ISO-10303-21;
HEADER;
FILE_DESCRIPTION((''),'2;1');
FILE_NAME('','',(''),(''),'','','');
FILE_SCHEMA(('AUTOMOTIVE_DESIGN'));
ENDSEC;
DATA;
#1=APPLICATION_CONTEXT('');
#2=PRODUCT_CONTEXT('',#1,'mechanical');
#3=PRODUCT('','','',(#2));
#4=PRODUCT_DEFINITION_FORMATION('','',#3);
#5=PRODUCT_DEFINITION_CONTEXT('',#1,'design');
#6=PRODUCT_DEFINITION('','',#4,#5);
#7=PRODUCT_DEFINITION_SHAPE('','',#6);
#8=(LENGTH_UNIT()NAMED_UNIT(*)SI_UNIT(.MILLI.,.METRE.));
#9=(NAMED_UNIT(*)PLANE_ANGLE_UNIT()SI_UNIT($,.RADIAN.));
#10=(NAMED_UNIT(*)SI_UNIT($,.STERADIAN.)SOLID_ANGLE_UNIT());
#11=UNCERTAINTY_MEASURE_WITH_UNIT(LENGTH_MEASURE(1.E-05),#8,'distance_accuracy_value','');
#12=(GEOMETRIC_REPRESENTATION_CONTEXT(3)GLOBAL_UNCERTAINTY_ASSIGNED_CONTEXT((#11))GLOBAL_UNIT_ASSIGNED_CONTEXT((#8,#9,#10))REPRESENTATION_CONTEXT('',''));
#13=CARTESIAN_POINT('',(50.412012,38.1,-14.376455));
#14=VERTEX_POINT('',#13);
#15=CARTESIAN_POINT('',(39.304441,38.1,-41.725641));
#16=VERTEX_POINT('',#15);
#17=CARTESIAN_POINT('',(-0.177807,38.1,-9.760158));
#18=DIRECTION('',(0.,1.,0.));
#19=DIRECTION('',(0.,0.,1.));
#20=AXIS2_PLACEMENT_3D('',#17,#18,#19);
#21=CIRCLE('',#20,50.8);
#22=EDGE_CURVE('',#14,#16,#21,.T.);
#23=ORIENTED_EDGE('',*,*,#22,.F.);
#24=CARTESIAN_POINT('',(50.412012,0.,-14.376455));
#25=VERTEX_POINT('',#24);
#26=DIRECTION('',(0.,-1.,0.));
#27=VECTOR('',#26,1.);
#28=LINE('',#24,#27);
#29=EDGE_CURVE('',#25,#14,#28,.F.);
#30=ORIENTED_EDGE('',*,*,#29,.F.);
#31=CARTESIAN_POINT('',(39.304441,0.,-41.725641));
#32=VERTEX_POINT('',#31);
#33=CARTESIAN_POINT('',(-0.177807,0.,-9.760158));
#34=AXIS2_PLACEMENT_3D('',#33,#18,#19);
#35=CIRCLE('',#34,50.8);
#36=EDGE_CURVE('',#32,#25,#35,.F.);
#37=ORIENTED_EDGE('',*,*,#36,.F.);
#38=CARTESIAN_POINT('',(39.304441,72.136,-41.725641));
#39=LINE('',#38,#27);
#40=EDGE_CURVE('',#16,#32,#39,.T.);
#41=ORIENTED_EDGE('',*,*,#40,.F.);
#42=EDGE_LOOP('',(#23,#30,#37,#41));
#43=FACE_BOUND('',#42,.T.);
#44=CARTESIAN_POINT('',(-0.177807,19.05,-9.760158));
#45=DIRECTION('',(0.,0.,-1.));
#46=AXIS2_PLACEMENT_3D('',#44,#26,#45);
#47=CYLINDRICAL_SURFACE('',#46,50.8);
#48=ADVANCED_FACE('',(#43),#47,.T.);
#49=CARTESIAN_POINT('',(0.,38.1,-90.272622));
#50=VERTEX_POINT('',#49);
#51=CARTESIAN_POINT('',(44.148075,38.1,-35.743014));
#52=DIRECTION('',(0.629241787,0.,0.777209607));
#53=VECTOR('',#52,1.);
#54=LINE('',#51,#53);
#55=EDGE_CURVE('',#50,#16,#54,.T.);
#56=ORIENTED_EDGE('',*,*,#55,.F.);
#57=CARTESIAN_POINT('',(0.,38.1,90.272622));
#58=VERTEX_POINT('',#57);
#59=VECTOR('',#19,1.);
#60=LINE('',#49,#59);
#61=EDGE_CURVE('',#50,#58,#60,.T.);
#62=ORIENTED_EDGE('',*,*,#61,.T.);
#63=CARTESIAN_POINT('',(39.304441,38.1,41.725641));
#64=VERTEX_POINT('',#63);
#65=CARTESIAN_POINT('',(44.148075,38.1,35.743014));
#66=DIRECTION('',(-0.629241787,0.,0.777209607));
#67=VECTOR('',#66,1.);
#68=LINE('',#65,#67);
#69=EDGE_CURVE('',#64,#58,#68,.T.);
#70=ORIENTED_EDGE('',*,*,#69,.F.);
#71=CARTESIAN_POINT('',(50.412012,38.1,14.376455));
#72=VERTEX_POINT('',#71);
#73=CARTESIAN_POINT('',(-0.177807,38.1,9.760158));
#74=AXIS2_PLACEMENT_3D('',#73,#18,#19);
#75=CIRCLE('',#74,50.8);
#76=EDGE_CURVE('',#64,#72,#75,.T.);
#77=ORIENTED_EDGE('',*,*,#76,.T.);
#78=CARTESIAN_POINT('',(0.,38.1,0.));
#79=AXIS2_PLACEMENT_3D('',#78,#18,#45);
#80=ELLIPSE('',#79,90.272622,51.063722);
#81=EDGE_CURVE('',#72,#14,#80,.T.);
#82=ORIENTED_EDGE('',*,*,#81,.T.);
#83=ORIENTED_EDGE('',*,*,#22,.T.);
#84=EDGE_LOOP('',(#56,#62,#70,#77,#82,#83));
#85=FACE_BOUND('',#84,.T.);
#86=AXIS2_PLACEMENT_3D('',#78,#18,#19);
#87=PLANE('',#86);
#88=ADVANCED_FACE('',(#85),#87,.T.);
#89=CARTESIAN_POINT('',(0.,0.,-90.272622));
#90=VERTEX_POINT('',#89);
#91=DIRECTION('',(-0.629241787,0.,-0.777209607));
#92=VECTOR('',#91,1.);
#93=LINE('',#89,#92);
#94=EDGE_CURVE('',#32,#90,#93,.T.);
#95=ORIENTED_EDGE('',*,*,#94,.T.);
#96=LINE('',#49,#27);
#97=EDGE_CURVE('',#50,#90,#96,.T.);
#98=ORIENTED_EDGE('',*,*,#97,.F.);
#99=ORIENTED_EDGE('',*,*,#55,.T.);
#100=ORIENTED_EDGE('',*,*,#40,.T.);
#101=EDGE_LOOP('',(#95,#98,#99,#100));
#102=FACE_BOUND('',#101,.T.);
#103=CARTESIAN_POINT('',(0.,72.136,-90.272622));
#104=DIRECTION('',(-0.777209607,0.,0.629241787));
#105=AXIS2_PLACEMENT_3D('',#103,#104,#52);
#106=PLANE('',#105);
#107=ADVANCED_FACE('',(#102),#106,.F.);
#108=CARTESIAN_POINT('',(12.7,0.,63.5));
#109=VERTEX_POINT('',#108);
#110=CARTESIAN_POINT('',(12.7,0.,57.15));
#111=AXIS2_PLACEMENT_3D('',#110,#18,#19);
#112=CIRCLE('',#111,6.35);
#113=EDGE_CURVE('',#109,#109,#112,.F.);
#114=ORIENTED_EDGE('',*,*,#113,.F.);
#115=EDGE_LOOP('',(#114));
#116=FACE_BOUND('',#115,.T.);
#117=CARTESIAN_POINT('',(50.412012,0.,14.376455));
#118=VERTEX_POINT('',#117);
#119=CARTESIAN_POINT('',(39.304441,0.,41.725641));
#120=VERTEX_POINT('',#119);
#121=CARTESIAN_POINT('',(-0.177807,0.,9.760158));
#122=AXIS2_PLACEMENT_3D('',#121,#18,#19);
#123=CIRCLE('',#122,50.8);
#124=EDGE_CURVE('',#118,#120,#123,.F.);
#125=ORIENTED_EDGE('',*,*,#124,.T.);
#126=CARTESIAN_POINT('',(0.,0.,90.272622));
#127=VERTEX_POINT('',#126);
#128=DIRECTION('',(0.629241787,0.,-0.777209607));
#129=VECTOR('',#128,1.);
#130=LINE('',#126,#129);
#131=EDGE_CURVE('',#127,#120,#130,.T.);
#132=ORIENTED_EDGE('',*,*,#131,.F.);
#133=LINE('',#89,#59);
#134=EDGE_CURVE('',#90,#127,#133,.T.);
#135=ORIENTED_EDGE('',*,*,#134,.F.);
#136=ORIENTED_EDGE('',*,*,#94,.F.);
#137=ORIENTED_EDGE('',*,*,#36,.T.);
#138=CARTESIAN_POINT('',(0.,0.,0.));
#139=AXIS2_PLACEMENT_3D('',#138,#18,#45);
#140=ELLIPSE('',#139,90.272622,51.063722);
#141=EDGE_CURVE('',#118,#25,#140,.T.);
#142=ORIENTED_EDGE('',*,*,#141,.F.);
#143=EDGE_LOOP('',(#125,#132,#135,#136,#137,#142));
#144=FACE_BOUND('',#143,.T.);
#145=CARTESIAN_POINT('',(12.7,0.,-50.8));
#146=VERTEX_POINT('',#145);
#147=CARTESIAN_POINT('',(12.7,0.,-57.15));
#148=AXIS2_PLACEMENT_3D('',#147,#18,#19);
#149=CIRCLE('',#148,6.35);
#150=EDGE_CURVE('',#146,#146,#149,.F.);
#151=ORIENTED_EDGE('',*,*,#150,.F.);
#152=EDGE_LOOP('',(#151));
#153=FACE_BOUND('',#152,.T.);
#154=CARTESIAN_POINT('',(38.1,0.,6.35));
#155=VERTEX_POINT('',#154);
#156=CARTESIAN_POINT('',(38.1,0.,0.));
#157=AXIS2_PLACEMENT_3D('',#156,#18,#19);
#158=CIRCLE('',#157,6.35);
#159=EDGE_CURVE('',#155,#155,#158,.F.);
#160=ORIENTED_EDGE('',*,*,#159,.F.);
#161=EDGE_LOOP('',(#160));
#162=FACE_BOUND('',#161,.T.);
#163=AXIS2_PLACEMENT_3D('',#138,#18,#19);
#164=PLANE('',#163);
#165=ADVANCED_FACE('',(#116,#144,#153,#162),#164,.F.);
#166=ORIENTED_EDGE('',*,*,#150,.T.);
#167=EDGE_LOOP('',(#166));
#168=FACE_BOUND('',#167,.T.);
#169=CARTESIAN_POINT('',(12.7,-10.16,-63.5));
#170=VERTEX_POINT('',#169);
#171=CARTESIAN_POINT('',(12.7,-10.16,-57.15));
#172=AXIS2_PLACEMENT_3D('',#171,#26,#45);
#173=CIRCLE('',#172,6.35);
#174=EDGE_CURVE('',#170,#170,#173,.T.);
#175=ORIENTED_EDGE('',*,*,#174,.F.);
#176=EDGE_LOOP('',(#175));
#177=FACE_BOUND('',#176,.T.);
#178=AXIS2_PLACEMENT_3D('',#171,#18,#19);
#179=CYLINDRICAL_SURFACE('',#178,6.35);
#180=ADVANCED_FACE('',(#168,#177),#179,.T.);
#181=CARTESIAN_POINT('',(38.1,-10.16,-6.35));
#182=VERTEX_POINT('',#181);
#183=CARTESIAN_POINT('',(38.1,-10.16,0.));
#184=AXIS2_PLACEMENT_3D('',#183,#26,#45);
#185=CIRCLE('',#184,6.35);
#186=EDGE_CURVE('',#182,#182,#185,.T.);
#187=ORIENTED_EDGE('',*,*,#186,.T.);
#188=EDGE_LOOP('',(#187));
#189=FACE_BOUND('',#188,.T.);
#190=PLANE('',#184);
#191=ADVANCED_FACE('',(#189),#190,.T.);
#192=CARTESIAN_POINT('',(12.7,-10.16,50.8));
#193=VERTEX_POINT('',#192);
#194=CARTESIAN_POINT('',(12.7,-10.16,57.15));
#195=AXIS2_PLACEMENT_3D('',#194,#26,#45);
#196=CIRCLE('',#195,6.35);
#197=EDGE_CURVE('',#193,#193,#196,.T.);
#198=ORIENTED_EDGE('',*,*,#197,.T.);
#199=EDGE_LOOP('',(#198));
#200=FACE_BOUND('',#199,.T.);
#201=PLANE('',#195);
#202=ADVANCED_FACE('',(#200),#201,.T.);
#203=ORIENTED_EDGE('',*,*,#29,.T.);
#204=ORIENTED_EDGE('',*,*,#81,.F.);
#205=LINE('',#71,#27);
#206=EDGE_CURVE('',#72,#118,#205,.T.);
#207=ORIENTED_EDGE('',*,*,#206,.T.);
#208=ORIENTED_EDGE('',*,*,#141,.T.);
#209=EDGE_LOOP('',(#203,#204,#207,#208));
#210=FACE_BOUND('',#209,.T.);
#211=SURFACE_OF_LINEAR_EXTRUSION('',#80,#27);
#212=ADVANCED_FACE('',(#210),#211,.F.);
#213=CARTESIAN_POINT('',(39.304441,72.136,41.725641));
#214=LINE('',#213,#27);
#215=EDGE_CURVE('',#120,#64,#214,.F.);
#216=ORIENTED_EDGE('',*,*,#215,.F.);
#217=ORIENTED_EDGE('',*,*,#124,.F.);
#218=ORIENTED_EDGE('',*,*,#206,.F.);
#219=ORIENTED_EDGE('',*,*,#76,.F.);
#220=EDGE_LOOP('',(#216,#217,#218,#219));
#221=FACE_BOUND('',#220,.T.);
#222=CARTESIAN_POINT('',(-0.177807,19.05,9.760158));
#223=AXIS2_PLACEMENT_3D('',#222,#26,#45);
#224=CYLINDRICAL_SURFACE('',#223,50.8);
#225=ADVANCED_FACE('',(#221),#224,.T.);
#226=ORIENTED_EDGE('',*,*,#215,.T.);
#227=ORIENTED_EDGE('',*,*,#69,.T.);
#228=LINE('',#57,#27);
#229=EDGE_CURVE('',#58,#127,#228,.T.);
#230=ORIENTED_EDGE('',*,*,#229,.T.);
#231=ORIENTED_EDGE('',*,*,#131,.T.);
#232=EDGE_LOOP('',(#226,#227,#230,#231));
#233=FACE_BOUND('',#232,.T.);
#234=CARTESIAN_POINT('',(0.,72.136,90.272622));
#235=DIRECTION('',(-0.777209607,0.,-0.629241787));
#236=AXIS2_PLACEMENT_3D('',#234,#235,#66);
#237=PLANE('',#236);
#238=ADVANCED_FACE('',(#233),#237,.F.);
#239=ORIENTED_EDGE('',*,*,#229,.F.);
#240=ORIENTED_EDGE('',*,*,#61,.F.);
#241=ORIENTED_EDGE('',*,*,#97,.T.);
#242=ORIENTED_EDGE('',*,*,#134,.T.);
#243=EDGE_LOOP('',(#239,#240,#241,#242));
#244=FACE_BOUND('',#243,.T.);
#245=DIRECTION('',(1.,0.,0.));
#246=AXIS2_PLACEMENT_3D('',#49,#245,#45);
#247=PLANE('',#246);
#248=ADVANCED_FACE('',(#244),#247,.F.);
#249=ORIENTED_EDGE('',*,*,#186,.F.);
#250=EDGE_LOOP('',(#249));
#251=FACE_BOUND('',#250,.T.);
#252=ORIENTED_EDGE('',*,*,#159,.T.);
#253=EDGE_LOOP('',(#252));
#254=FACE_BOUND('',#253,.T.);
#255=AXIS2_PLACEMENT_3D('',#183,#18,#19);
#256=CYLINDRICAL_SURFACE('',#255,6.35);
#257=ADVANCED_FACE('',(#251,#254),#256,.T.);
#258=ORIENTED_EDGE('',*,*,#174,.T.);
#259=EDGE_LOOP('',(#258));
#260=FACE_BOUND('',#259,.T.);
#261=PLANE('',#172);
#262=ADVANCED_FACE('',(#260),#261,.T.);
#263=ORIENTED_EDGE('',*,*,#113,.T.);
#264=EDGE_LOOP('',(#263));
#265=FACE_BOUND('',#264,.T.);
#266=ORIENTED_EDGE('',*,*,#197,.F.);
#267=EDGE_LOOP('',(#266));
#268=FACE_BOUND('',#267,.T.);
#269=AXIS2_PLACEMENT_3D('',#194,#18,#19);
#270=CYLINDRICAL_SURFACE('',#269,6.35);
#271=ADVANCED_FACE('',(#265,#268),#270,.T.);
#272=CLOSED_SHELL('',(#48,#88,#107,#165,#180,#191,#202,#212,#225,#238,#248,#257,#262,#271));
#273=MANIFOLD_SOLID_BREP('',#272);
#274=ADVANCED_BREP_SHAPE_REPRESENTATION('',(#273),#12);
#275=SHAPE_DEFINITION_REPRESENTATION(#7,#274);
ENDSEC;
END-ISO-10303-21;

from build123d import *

# Parameters (mm, degrees)
BOSS_EXTRUDE2_DEPTH = 38.1
SKETCH4_R           = 6.35
BOSS_EXTRUDE3_DEPTH = 10.16
CUT_EXTRUDE1_DEPTH  = 72.136
FILLET1_R           = 50.8


with BuildPart() as part:
    # Sketch3 → Boss-Extrude2 (new body)
    with BuildSketch(Plane(origin=(0, 0, 0), x_dir=(1, 0, 0), z_dir=(0, 1, 0))):
        with BuildLine():
            Line((0, 90.272622301), (0, -90.272622301))
            add(Edge.make_bspline(
                [(0, -90.272622301), (51.063722035, -90.272622301), (51.063722035, 0), (51.063722035, 90.272622301), (0, 90.272622301)],
                knots=[3.141592654, 3.141592654, 3.141592654, 4.71238898, 4.71238898, 6.283185307, 6.283185307, 6.283185307], degree=2, weights=[1, 0.707106781, 1, 0.707106781, 1]))
        make_face()
    extrude(amount=BOSS_EXTRUDE2_DEPTH)

    # Sketch4 → Boss-Extrude3 (add)
    with BuildSketch(Plane(origin=(0, 0, 0), x_dir=(-1, 0, 0), z_dir=(0, -1, 0))):
        with Locations(Location((-12.7, -57.15, 0), (0, 0, 270))):
            Circle(SKETCH4_R)
        with Locations(Location((-12.7, 57.15, 0), (0, 0, 270))):
            Circle(SKETCH4_R)
        with Locations(Location((-38.1, 0, 0), (0, 0, 270))):
            Circle(SKETCH4_R)
    extrude(amount=BOSS_EXTRUDE3_DEPTH)

    # Sketch5 → Cut-Extrude1 (cut)
    with BuildSketch(Plane(origin=(0, 0, 0), x_dir=(-1, 0, 0), z_dir=(0, -1, 0))):
        Polygon((0, -90.272622301), (-47.948224184, -31.049250245), (-73.055798017, -65.580157533), (-28.861670947, -122.242067224), align=None)
        Polygon((0, 90.272622301), (-47.948224184, 31.049250245), (-64.283944167, 60.660936273), (-1.502105519, 110.713212963), align=None)
    extrude(amount=-CUT_EXTRUDE1_DEPTH, mode=Mode.SUBTRACT)

    # Fillet1
    fillet1_edges = [part.edges().sort_by_distance(p)[0] for p in [
        (47.948224184, 19.05, -31.049250245),
        (47.948224184, 19.05, 31.049250245),
    ]]
    fillet(fillet1_edges, radius=FILLET1_R)


solid = part.part
